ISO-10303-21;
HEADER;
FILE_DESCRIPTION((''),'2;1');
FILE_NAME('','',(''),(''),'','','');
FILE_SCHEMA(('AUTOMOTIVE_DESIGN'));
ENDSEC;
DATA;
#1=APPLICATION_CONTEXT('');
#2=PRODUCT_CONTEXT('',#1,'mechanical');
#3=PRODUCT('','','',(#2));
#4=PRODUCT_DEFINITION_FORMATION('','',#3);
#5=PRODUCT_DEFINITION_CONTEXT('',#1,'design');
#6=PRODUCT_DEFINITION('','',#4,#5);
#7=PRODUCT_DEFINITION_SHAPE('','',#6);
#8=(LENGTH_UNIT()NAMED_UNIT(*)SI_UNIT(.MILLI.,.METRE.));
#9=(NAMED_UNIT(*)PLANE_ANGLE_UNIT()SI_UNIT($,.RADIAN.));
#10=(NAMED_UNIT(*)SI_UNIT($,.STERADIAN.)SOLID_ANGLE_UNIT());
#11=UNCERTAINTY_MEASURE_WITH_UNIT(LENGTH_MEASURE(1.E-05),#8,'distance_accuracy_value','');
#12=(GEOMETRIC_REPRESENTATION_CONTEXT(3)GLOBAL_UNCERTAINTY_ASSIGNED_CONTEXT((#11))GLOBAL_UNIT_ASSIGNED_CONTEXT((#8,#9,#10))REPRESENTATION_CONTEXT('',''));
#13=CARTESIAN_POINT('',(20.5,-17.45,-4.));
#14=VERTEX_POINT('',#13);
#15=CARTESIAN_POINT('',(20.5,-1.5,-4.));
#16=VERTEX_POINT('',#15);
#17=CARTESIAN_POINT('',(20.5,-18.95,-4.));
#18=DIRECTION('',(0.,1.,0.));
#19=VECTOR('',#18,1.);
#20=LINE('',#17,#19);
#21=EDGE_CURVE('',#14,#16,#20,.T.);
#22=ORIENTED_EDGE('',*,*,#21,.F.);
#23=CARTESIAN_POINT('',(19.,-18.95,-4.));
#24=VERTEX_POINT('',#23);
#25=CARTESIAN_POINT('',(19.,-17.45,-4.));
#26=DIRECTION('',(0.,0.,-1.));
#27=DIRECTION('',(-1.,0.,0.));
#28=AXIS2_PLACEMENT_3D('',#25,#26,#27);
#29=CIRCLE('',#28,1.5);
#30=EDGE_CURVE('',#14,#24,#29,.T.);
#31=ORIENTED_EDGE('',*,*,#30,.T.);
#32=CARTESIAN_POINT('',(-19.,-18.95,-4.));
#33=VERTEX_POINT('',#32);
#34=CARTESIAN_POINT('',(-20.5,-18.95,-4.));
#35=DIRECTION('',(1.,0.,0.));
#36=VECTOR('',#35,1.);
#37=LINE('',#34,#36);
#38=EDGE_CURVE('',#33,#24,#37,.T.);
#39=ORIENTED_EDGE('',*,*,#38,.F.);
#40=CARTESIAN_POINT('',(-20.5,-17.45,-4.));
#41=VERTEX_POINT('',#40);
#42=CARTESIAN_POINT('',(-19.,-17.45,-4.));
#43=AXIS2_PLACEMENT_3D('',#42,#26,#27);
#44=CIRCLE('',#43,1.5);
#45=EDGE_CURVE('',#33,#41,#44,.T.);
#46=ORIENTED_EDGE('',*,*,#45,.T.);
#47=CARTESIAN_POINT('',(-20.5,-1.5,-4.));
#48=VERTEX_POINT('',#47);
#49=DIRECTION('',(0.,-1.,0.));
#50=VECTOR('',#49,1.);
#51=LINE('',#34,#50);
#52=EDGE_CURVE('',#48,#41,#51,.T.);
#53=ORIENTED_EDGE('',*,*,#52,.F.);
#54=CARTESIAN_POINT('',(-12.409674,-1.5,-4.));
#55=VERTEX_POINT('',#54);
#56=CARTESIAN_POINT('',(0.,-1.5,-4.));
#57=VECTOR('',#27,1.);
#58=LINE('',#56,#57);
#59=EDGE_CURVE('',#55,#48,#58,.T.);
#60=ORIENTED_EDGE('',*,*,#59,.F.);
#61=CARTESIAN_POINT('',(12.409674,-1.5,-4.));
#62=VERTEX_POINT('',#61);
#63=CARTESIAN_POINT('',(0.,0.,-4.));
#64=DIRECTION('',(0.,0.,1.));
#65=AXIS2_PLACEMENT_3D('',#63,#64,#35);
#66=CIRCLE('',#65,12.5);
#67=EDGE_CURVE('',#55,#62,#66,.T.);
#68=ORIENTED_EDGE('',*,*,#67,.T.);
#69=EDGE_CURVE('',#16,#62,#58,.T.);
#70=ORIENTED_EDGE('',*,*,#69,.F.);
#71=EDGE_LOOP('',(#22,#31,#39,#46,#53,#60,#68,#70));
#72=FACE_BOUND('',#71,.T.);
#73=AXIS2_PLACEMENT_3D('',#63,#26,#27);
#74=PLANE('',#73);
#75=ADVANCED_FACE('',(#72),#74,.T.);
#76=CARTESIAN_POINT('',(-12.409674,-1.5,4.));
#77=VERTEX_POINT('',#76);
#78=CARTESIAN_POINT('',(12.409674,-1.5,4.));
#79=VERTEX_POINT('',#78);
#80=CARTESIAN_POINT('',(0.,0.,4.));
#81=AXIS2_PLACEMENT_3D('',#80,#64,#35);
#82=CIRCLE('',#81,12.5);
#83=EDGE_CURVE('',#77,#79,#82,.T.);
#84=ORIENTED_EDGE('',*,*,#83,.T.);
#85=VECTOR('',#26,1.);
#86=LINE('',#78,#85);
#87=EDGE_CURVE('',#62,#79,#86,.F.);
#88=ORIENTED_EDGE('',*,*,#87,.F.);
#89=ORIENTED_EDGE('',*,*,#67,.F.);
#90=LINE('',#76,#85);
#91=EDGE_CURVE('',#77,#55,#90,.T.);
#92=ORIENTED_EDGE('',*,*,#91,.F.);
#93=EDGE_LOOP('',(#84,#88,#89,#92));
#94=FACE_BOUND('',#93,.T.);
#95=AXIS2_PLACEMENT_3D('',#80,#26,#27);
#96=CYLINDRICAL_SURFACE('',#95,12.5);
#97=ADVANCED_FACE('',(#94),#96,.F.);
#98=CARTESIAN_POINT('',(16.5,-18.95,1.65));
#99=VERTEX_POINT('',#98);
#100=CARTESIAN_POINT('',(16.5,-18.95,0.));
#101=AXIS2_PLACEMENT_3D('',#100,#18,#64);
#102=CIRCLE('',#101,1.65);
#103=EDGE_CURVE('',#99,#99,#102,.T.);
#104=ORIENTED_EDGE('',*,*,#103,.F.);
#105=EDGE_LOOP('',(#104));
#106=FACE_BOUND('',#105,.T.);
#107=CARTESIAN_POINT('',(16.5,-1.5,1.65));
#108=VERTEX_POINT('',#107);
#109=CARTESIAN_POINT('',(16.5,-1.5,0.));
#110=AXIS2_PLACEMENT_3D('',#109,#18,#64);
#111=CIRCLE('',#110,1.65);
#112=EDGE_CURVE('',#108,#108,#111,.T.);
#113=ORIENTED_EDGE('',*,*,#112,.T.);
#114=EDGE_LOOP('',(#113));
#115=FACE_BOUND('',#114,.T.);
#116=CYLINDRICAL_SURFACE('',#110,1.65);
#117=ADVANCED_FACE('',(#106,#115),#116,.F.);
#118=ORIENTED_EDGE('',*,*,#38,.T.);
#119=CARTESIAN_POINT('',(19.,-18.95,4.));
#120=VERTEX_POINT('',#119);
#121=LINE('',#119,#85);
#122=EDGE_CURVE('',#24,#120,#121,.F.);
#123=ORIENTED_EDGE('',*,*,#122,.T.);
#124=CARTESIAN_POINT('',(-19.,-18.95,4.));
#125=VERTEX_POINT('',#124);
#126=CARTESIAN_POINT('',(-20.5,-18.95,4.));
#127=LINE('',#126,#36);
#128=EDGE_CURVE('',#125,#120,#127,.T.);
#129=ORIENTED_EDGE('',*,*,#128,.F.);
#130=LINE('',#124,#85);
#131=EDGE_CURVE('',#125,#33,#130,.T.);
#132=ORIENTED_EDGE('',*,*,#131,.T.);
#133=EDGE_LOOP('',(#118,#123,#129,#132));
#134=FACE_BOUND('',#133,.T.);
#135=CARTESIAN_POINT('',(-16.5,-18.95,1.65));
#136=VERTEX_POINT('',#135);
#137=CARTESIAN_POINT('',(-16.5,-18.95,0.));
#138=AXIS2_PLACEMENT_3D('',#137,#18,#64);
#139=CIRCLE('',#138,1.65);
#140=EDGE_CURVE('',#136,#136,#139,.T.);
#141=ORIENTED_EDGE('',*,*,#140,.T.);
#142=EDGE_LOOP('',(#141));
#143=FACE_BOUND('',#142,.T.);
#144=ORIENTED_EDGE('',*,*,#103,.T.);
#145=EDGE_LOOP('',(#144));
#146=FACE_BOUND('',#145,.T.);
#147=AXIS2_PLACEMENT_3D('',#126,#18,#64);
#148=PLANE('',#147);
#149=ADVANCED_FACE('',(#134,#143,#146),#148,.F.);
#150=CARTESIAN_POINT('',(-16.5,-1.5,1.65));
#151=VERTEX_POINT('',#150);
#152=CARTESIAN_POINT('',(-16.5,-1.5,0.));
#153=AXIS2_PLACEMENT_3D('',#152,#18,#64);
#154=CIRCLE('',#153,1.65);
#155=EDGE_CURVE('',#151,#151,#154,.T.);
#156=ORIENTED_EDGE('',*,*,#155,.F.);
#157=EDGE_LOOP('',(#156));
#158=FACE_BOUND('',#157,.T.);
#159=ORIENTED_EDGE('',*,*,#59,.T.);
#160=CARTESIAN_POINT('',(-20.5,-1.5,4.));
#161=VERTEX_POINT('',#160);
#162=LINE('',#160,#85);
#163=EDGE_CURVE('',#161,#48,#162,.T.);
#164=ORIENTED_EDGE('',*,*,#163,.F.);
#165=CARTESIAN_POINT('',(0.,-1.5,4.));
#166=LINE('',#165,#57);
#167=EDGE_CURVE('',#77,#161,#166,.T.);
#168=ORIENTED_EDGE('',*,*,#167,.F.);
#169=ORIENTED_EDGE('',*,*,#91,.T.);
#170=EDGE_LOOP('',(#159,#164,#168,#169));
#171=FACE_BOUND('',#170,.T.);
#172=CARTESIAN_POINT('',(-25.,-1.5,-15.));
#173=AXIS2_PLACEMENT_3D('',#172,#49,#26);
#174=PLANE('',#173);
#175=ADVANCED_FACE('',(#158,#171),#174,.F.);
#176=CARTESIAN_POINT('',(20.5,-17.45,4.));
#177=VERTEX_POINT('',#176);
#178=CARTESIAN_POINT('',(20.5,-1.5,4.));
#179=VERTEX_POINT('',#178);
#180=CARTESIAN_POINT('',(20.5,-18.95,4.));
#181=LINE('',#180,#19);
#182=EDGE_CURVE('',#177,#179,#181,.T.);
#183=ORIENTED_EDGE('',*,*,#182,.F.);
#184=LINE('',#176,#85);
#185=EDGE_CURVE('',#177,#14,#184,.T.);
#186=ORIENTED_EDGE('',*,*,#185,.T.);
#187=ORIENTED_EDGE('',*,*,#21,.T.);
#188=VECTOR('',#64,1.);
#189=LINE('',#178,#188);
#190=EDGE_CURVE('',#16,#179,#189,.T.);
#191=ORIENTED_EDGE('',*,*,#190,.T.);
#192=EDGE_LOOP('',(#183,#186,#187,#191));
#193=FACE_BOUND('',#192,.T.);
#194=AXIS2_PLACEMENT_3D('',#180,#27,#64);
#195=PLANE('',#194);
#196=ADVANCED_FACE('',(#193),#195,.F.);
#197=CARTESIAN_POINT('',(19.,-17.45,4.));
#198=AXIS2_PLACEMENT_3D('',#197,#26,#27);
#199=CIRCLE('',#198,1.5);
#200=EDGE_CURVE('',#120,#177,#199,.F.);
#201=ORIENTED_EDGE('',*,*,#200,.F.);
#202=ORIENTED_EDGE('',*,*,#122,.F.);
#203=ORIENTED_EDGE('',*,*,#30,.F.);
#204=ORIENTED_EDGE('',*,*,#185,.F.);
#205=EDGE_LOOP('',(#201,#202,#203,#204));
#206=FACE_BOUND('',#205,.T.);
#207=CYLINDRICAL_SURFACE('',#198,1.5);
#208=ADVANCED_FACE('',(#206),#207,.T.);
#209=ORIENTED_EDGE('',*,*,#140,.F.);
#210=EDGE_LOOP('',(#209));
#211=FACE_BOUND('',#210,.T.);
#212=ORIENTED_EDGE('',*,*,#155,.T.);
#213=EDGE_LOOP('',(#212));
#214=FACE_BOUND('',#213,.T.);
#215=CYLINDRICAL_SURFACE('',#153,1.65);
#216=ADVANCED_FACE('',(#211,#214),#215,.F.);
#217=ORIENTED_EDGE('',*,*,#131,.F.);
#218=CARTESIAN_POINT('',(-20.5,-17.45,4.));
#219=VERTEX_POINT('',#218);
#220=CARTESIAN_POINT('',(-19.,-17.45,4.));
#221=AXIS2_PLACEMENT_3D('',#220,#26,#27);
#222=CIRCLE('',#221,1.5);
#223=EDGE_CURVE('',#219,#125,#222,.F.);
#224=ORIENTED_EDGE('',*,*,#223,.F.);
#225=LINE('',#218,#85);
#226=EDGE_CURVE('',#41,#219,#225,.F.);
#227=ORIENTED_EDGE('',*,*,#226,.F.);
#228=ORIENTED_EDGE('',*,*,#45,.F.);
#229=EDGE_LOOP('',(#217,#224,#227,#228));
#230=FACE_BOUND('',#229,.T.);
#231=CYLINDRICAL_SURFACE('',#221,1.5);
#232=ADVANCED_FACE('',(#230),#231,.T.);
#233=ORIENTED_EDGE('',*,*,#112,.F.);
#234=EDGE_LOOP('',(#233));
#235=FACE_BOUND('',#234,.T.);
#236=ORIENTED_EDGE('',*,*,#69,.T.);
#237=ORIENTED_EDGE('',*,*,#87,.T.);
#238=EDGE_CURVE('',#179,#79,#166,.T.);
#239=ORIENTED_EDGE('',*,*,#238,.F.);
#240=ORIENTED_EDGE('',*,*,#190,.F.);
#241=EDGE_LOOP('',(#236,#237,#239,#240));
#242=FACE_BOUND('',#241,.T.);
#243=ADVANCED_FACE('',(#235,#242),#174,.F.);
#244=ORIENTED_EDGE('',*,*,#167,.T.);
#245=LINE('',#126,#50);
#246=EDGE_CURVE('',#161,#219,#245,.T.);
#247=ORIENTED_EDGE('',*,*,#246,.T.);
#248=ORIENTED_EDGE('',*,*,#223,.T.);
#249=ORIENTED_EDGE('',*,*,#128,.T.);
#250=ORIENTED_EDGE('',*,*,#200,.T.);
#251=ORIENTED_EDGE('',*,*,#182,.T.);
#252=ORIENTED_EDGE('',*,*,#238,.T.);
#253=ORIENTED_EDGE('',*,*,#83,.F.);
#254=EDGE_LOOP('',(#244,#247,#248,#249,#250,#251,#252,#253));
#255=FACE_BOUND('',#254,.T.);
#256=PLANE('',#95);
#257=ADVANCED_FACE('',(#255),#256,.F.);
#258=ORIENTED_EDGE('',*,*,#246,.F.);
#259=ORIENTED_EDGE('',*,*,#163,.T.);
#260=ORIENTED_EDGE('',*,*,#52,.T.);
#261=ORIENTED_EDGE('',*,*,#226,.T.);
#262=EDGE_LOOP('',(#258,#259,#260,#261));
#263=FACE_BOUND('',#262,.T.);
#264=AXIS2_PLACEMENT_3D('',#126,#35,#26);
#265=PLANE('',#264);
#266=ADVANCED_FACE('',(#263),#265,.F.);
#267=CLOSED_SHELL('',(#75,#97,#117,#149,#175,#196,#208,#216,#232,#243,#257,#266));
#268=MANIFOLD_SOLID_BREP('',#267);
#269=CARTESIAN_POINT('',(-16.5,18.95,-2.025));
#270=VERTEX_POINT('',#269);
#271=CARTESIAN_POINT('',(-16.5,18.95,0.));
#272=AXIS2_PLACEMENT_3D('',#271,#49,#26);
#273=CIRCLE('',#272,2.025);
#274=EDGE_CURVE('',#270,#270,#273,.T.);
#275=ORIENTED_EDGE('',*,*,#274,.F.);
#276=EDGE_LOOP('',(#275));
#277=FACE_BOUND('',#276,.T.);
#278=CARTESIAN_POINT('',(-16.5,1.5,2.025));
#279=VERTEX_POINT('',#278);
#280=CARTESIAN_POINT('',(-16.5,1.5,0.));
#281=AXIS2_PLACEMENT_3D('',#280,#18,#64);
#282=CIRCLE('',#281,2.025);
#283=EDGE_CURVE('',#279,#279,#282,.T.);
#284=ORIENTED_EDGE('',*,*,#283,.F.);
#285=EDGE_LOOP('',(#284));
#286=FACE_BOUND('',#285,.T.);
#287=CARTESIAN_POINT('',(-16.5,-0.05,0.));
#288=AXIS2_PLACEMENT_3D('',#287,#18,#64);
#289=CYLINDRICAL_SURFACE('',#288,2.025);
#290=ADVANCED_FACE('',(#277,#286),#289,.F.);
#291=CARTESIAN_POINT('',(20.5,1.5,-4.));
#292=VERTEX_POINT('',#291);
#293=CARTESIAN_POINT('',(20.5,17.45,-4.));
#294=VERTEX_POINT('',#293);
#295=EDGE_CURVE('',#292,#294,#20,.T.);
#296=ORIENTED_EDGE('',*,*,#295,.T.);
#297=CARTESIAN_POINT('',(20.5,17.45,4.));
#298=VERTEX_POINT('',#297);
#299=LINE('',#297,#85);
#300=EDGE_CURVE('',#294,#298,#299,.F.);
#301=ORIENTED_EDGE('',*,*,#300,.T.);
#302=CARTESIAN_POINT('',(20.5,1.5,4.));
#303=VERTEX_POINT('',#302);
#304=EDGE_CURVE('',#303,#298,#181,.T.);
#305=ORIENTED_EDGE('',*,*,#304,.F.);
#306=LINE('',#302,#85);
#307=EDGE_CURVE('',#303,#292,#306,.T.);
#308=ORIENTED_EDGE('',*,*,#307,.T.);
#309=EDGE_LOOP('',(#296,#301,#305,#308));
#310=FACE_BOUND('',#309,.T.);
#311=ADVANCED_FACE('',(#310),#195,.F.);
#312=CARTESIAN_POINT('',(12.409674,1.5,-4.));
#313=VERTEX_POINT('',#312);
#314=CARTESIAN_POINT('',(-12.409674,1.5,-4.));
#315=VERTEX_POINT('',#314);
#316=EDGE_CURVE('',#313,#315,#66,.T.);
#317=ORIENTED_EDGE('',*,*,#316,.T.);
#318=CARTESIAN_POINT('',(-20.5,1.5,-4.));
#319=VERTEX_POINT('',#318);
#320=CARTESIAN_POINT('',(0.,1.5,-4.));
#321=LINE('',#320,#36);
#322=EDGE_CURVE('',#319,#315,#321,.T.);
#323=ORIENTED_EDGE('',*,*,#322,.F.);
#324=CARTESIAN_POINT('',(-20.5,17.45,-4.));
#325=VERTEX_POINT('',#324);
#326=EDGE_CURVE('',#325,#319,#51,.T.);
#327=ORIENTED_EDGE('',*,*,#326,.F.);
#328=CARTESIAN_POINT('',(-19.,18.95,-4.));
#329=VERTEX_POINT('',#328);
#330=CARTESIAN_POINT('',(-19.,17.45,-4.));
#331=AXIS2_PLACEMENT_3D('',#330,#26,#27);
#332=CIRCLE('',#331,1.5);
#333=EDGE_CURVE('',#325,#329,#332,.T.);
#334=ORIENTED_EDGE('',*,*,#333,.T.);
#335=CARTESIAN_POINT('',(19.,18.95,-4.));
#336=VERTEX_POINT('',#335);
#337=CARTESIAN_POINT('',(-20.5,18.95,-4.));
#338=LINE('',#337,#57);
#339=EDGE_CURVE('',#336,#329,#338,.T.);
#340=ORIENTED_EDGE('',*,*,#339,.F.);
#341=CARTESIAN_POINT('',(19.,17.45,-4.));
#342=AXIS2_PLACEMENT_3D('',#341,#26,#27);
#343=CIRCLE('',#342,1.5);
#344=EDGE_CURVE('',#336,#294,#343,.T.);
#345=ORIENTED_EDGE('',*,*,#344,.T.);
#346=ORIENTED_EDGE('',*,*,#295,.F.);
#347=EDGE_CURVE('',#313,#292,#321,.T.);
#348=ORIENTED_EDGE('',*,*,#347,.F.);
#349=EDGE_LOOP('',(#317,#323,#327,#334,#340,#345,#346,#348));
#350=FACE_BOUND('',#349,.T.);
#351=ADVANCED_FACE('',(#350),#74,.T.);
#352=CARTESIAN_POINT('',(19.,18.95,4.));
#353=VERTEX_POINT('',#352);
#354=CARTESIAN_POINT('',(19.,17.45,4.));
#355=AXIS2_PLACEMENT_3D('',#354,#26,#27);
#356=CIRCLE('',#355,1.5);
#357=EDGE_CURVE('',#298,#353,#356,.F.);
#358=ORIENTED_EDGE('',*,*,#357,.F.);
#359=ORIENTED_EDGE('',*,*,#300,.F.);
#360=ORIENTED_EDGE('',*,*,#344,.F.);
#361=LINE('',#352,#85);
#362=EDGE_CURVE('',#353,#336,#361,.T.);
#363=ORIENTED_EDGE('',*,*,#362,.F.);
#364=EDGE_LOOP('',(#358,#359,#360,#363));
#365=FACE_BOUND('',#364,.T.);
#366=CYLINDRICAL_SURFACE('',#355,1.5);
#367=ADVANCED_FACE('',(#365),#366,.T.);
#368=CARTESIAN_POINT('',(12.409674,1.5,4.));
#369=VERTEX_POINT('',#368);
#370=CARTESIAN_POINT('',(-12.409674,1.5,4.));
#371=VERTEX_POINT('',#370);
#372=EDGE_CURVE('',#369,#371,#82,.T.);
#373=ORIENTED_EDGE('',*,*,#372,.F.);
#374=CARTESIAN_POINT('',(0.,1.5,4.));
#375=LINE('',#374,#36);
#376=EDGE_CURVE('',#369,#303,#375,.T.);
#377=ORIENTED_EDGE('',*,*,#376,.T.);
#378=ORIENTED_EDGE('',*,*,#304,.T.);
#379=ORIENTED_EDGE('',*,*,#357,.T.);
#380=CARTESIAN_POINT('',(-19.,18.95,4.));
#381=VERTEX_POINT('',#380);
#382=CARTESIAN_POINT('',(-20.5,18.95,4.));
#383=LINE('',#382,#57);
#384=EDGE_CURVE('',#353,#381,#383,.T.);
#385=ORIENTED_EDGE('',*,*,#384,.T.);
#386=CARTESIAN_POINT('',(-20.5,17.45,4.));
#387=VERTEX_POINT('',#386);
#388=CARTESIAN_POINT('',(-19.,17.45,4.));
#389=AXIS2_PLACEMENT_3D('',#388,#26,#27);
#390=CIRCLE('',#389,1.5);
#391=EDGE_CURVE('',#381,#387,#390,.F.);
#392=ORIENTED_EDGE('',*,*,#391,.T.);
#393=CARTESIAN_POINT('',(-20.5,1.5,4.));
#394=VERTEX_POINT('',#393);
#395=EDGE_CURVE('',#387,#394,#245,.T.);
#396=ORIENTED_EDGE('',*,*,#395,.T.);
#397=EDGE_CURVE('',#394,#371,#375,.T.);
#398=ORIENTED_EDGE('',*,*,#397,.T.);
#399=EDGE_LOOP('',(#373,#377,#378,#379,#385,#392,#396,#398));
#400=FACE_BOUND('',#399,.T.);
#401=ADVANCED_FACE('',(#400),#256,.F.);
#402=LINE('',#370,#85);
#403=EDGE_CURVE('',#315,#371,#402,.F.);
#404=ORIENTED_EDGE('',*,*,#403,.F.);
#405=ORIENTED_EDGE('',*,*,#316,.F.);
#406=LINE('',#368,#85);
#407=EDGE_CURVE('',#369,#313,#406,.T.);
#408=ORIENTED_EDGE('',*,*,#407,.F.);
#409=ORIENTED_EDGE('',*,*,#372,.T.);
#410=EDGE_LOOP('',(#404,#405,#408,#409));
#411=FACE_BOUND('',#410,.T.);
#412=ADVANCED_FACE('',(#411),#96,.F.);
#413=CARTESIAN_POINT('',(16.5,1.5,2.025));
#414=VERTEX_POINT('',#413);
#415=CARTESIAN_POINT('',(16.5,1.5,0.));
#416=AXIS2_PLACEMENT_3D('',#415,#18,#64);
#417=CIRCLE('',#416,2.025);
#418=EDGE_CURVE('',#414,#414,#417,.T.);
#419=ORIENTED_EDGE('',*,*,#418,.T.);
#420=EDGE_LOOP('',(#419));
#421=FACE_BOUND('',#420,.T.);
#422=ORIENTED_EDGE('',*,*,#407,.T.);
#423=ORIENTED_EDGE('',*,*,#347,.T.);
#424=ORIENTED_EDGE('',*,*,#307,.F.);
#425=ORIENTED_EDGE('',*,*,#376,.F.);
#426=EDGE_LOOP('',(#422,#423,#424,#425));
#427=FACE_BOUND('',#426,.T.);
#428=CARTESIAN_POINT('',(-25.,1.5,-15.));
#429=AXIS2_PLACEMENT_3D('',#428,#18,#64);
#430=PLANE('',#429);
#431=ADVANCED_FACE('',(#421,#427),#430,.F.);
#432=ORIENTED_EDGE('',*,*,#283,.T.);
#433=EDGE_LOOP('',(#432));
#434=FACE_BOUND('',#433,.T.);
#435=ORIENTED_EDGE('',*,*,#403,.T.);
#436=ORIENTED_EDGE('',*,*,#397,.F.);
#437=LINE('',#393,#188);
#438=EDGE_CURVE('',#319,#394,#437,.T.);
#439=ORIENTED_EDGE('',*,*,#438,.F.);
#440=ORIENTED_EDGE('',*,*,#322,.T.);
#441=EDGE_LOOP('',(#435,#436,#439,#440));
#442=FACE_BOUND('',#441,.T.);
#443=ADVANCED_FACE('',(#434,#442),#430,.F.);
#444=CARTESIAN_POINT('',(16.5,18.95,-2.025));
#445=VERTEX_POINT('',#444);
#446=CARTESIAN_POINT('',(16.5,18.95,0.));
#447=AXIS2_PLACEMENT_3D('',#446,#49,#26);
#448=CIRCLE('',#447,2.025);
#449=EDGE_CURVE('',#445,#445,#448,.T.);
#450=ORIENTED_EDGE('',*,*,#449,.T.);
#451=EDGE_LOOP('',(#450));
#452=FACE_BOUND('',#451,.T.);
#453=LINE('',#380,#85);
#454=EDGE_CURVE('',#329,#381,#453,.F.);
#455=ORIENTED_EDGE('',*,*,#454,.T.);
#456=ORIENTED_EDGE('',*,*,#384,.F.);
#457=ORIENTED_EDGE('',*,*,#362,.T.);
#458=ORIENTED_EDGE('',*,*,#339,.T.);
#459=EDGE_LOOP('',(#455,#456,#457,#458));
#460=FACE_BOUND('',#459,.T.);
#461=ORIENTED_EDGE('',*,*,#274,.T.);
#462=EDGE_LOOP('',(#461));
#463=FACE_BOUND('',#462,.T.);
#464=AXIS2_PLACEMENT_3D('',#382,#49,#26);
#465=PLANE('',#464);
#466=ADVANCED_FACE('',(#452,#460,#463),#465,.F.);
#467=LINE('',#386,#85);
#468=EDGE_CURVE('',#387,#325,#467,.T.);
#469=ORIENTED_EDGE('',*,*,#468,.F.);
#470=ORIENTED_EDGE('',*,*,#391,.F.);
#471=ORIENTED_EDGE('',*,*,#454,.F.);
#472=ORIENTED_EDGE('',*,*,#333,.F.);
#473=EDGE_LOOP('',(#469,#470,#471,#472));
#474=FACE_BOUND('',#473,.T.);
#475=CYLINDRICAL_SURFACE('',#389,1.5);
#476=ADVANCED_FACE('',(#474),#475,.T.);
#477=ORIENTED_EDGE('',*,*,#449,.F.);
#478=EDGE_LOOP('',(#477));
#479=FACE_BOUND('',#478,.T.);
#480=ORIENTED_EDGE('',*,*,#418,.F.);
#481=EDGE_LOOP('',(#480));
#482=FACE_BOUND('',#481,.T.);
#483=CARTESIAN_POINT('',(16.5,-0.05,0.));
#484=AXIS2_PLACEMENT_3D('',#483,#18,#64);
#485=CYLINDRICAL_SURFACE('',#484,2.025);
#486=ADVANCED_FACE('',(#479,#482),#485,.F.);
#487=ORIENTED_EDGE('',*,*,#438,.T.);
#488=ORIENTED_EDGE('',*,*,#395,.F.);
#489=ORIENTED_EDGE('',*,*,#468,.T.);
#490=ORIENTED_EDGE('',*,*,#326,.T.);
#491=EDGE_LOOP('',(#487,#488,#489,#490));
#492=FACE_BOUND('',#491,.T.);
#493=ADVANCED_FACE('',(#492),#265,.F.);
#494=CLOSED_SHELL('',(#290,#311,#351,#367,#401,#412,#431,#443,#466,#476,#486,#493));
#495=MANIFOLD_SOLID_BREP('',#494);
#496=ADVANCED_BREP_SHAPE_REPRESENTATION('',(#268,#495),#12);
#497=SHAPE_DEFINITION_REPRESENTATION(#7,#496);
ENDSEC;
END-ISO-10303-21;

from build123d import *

# Parameters (mm, degrees)
SKETCH_1_W                  = 41
SKETCH_1_H                  = 37.9
SKETCH_1_R                  = 12.5
EXTRUDE_1_DEPTH             = 4
FILLET_1_R                  = 1.5
SKETCH_2_W                  = 50
SKETCH_2_H                  = 3
CUT_EXTRUDE_1_DEPTH         = 19
SKETCH_3_R                  = 2.025
CUT_EXTRUDE_2_DEPTH         = 19
SKETCH_5_W                  = 1.65
SKETCH_5_H                  = 17.45
HOLE_WIZARD_M4_1_AT_2_COUNT = 2
HOLE_WIZARD_M4_1_AT_2_PITCH = 33


with BuildPart() as part:
    # 草图1 → 凸台-拉伸1 (new, symmetric)
    with BuildSketch(Plane.XY):
        Rectangle(SKETCH_1_W, SKETCH_1_H)
        Circle(SKETCH_1_R, mode=Mode.SUBTRACT)
    extrude(amount=EXTRUDE_1_DEPTH, both=True)

    # 圆角1
    fillet_1_edges = [part.edges().sort_by_distance(p)[0] for p in [
        (20.5, -18.95, 0),
        (-20.5, -18.95, 0),
        (-20.5, 18.95, 0),
        (20.5, 18.95, 0),
    ]]
    fillet(fillet_1_edges, radius=FILLET_1_R)

    # 草图2 → 切除-拉伸1 (cut, symmetric)
    with BuildSketch(Plane.XY.offset(4)):
        Rectangle(SKETCH_2_W, SKETCH_2_H)
    extrude(amount=CUT_EXTRUDE_1_DEPTH, both=True, mode=Mode.SUBTRACT)


with BuildPart() as cut_extrude_1_piece_1:
    # of the separate pieces the step leaves, piece 1, a body of its own (cut_extrude_1_pieces)
    add(part.part.solids().sort_by_distance((-19, -18.95, -4))[0])

    # 草图5 → M4 螺纹孔1 (revolve, cut)
    with BuildSketch(Plane(origin=(-16.5, -1.5, 0), x_dir=(0, 0, 1), z_dir=(1, 0, 0))):
        with Locations((0.825, 8.725)):
            Rectangle(SKETCH_5_W, SKETCH_5_H)
    hole_wizard_m4_1 = revolve(axis=Axis((-16.5, 4.85, 0), (0, -1, 0)), mode=Mode.SUBTRACT)

    # M4 螺纹孔1 at 2: M4 螺纹孔1 ×2
    with Locations(*[(i * HOLE_WIZARD_M4_1_AT_2_PITCH, 0, 0) for i in range(1, HOLE_WIZARD_M4_1_AT_2_COUNT)]):
        add(hole_wizard_m4_1, mode=Mode.SUBTRACT)


with BuildPart() as cut_extrude_1_piece_2:
    # of the separate pieces the step leaves, piece 2, a body of its own (cut_extrude_1_pieces)
    add(part.part.solids().sort_by_distance((-20.5, 17.45, -4))[0])

    # 草图3 → 切除-拉伸2 (cut, symmetric)
    with BuildSketch(Plane(origin=(0, 18.95, 0), x_dir=(1, 0, 0), z_dir=(0, 1, 0))):
        with Locations(Location((16.5, 0, 0), (0, 0, 270))):
            Circle(SKETCH_3_R)
        with Locations(Location((-16.5, 0, 0), (0, 0, 270))):
            Circle(SKETCH_3_R)
    extrude(amount=CUT_EXTRUDE_2_DEPTH, both=True, mode=Mode.SUBTRACT)


solid = Compound([cut_extrude_1_piece_1.part, cut_extrude_1_piece_2.part])
